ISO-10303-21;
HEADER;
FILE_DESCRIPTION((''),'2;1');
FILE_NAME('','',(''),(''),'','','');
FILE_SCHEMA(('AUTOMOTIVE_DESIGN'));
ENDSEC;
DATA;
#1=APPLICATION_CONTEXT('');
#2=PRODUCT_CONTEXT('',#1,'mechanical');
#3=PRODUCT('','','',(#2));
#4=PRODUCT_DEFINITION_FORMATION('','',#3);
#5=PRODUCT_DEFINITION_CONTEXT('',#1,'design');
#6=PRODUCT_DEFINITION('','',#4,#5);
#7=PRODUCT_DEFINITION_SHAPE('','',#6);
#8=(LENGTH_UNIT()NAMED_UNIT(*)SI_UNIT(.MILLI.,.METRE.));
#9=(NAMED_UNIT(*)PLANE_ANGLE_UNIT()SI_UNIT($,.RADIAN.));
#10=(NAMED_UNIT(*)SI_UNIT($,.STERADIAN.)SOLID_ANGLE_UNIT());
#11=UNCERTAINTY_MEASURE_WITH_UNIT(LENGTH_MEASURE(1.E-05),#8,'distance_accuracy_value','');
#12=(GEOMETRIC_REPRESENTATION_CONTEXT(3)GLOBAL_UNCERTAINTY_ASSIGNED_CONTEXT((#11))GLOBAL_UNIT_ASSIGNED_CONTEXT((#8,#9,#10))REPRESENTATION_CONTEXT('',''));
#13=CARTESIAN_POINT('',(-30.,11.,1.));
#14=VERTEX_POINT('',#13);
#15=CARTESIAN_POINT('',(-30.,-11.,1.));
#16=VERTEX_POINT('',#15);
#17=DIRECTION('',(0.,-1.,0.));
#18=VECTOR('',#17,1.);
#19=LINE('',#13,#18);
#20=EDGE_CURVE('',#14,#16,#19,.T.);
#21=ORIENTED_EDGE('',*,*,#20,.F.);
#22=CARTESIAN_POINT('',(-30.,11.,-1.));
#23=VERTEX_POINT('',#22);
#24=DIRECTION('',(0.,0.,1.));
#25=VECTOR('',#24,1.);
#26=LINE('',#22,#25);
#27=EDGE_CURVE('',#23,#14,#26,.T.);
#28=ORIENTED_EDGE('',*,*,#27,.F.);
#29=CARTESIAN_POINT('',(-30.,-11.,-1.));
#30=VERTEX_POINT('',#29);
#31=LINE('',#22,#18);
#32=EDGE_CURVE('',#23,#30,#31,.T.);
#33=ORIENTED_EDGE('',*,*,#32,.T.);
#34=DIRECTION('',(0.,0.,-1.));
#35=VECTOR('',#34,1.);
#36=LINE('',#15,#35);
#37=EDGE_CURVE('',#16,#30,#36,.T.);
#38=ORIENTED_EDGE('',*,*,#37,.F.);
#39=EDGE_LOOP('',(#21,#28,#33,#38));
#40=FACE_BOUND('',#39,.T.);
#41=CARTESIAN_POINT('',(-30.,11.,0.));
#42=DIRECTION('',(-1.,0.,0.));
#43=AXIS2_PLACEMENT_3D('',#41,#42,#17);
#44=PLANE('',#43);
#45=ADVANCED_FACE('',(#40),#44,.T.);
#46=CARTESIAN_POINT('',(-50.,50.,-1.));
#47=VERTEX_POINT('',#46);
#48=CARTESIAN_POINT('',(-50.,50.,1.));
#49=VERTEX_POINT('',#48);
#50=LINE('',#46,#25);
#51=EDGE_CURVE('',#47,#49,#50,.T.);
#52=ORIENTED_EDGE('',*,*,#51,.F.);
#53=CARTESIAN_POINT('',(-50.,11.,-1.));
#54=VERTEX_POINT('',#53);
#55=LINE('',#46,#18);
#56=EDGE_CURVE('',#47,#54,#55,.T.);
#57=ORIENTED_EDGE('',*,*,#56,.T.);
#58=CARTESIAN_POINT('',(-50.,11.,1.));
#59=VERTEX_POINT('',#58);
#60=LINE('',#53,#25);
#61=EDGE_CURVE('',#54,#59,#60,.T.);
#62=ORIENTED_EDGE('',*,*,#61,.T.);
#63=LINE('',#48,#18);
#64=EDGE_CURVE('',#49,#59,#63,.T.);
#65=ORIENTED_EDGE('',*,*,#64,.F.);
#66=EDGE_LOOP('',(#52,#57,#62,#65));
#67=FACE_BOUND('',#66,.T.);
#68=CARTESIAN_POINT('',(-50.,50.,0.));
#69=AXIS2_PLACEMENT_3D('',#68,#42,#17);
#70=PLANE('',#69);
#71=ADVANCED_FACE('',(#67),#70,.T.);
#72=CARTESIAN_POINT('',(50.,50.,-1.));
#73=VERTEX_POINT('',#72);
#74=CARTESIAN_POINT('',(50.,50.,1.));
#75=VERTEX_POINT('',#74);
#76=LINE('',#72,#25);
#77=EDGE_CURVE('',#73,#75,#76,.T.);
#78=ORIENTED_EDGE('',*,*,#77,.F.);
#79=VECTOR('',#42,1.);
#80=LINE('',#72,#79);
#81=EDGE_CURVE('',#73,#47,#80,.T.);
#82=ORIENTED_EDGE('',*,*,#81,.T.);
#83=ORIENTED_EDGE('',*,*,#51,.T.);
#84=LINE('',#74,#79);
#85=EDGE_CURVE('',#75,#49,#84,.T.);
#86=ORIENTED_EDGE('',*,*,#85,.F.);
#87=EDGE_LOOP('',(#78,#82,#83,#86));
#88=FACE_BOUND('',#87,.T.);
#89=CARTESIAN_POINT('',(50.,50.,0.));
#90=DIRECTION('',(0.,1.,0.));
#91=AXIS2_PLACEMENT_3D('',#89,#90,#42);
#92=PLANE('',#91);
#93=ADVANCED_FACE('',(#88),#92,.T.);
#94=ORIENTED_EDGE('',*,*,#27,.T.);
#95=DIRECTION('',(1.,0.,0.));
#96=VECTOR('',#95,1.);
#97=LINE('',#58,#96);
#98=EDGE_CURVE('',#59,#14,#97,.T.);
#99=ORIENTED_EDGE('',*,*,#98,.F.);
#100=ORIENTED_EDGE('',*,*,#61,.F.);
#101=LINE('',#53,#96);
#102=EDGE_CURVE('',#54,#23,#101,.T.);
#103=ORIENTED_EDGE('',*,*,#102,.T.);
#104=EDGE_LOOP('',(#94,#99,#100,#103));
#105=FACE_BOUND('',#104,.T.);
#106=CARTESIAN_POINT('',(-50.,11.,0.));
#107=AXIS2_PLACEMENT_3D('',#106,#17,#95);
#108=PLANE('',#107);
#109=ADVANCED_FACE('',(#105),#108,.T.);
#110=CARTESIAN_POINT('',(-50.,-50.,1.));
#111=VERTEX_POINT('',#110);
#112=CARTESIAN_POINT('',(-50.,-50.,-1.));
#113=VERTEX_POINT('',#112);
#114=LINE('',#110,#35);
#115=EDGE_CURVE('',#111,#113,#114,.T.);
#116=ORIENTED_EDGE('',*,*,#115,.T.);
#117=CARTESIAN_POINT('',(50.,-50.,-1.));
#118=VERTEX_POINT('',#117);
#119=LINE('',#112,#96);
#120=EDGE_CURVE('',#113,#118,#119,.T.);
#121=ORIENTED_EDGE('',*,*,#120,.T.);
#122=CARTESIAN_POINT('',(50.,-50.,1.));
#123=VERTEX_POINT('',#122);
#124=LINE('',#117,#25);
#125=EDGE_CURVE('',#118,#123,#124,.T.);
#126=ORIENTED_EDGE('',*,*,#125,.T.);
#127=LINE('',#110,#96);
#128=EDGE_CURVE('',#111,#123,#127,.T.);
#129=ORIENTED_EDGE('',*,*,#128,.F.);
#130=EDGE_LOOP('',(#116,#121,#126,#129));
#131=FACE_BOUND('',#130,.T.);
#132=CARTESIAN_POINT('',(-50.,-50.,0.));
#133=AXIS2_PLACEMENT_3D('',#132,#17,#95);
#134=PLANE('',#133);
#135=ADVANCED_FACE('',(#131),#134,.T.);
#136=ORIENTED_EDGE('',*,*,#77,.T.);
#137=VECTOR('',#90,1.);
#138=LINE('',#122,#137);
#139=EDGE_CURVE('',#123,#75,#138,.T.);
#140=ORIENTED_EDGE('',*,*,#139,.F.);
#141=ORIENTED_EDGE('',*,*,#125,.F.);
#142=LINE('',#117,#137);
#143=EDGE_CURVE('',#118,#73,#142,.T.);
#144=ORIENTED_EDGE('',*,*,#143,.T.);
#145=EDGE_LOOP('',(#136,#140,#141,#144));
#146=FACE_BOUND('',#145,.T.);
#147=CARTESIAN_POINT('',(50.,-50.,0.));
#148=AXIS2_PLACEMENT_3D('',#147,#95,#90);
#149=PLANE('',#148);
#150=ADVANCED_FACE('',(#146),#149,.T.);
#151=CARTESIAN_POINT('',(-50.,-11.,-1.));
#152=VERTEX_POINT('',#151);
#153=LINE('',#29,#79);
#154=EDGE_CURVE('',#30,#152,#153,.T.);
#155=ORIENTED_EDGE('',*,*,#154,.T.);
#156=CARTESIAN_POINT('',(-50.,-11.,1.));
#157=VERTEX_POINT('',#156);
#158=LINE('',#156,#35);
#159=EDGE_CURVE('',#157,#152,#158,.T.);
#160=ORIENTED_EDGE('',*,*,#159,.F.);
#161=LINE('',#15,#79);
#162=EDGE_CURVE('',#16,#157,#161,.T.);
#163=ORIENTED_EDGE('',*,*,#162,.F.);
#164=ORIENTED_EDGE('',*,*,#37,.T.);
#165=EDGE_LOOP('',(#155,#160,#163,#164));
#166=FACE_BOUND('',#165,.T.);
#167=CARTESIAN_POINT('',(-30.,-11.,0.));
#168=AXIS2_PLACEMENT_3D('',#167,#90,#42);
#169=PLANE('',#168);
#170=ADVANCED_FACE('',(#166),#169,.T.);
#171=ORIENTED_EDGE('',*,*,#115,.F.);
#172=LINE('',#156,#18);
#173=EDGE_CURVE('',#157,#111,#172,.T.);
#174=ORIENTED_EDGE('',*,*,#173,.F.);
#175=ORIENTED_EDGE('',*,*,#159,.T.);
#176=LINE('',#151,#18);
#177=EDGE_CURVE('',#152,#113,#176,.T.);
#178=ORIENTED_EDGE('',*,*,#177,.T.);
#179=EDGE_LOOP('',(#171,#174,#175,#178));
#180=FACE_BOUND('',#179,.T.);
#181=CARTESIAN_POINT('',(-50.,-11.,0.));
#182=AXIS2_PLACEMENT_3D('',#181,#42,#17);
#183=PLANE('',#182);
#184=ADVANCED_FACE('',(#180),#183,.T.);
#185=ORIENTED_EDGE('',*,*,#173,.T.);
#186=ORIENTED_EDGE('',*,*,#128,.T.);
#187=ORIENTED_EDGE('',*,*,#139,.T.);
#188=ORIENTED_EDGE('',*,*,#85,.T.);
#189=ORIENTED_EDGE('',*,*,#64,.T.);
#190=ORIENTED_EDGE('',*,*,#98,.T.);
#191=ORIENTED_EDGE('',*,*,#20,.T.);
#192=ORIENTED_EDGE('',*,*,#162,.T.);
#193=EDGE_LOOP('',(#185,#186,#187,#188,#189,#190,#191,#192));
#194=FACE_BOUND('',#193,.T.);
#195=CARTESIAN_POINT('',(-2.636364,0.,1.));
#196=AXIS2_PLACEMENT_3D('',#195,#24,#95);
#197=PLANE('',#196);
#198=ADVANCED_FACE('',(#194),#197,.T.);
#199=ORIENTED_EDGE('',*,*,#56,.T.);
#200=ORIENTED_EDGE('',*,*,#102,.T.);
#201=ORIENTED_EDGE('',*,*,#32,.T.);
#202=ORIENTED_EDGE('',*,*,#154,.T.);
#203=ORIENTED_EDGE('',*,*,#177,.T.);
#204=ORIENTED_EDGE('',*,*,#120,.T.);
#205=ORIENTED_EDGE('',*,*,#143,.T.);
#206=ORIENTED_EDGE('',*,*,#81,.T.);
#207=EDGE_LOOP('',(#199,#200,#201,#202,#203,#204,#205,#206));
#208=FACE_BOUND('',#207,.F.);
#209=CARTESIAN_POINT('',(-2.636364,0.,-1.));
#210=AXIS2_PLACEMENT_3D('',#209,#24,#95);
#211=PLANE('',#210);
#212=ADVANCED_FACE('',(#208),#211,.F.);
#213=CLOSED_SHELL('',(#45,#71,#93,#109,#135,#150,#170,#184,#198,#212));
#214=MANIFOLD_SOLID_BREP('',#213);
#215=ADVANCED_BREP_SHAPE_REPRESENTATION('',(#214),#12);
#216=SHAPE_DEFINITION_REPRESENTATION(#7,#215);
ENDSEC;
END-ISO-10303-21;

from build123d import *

# Parameters (mm, degrees)
F1_DEPTH = 1


with BuildPart() as f1:
    # F0 (on Top) → F1 (new body, symmetric)
    with BuildSketch(Plane.XY):
        Polygon((-50, -50), (50, -50), (50, 50), (-50, 50), (-50, 11), (-30, 11), (-30, -11), (-50, -11), align=None)
    extrude(amount=F1_DEPTH, both=True)


solid = f1.part
